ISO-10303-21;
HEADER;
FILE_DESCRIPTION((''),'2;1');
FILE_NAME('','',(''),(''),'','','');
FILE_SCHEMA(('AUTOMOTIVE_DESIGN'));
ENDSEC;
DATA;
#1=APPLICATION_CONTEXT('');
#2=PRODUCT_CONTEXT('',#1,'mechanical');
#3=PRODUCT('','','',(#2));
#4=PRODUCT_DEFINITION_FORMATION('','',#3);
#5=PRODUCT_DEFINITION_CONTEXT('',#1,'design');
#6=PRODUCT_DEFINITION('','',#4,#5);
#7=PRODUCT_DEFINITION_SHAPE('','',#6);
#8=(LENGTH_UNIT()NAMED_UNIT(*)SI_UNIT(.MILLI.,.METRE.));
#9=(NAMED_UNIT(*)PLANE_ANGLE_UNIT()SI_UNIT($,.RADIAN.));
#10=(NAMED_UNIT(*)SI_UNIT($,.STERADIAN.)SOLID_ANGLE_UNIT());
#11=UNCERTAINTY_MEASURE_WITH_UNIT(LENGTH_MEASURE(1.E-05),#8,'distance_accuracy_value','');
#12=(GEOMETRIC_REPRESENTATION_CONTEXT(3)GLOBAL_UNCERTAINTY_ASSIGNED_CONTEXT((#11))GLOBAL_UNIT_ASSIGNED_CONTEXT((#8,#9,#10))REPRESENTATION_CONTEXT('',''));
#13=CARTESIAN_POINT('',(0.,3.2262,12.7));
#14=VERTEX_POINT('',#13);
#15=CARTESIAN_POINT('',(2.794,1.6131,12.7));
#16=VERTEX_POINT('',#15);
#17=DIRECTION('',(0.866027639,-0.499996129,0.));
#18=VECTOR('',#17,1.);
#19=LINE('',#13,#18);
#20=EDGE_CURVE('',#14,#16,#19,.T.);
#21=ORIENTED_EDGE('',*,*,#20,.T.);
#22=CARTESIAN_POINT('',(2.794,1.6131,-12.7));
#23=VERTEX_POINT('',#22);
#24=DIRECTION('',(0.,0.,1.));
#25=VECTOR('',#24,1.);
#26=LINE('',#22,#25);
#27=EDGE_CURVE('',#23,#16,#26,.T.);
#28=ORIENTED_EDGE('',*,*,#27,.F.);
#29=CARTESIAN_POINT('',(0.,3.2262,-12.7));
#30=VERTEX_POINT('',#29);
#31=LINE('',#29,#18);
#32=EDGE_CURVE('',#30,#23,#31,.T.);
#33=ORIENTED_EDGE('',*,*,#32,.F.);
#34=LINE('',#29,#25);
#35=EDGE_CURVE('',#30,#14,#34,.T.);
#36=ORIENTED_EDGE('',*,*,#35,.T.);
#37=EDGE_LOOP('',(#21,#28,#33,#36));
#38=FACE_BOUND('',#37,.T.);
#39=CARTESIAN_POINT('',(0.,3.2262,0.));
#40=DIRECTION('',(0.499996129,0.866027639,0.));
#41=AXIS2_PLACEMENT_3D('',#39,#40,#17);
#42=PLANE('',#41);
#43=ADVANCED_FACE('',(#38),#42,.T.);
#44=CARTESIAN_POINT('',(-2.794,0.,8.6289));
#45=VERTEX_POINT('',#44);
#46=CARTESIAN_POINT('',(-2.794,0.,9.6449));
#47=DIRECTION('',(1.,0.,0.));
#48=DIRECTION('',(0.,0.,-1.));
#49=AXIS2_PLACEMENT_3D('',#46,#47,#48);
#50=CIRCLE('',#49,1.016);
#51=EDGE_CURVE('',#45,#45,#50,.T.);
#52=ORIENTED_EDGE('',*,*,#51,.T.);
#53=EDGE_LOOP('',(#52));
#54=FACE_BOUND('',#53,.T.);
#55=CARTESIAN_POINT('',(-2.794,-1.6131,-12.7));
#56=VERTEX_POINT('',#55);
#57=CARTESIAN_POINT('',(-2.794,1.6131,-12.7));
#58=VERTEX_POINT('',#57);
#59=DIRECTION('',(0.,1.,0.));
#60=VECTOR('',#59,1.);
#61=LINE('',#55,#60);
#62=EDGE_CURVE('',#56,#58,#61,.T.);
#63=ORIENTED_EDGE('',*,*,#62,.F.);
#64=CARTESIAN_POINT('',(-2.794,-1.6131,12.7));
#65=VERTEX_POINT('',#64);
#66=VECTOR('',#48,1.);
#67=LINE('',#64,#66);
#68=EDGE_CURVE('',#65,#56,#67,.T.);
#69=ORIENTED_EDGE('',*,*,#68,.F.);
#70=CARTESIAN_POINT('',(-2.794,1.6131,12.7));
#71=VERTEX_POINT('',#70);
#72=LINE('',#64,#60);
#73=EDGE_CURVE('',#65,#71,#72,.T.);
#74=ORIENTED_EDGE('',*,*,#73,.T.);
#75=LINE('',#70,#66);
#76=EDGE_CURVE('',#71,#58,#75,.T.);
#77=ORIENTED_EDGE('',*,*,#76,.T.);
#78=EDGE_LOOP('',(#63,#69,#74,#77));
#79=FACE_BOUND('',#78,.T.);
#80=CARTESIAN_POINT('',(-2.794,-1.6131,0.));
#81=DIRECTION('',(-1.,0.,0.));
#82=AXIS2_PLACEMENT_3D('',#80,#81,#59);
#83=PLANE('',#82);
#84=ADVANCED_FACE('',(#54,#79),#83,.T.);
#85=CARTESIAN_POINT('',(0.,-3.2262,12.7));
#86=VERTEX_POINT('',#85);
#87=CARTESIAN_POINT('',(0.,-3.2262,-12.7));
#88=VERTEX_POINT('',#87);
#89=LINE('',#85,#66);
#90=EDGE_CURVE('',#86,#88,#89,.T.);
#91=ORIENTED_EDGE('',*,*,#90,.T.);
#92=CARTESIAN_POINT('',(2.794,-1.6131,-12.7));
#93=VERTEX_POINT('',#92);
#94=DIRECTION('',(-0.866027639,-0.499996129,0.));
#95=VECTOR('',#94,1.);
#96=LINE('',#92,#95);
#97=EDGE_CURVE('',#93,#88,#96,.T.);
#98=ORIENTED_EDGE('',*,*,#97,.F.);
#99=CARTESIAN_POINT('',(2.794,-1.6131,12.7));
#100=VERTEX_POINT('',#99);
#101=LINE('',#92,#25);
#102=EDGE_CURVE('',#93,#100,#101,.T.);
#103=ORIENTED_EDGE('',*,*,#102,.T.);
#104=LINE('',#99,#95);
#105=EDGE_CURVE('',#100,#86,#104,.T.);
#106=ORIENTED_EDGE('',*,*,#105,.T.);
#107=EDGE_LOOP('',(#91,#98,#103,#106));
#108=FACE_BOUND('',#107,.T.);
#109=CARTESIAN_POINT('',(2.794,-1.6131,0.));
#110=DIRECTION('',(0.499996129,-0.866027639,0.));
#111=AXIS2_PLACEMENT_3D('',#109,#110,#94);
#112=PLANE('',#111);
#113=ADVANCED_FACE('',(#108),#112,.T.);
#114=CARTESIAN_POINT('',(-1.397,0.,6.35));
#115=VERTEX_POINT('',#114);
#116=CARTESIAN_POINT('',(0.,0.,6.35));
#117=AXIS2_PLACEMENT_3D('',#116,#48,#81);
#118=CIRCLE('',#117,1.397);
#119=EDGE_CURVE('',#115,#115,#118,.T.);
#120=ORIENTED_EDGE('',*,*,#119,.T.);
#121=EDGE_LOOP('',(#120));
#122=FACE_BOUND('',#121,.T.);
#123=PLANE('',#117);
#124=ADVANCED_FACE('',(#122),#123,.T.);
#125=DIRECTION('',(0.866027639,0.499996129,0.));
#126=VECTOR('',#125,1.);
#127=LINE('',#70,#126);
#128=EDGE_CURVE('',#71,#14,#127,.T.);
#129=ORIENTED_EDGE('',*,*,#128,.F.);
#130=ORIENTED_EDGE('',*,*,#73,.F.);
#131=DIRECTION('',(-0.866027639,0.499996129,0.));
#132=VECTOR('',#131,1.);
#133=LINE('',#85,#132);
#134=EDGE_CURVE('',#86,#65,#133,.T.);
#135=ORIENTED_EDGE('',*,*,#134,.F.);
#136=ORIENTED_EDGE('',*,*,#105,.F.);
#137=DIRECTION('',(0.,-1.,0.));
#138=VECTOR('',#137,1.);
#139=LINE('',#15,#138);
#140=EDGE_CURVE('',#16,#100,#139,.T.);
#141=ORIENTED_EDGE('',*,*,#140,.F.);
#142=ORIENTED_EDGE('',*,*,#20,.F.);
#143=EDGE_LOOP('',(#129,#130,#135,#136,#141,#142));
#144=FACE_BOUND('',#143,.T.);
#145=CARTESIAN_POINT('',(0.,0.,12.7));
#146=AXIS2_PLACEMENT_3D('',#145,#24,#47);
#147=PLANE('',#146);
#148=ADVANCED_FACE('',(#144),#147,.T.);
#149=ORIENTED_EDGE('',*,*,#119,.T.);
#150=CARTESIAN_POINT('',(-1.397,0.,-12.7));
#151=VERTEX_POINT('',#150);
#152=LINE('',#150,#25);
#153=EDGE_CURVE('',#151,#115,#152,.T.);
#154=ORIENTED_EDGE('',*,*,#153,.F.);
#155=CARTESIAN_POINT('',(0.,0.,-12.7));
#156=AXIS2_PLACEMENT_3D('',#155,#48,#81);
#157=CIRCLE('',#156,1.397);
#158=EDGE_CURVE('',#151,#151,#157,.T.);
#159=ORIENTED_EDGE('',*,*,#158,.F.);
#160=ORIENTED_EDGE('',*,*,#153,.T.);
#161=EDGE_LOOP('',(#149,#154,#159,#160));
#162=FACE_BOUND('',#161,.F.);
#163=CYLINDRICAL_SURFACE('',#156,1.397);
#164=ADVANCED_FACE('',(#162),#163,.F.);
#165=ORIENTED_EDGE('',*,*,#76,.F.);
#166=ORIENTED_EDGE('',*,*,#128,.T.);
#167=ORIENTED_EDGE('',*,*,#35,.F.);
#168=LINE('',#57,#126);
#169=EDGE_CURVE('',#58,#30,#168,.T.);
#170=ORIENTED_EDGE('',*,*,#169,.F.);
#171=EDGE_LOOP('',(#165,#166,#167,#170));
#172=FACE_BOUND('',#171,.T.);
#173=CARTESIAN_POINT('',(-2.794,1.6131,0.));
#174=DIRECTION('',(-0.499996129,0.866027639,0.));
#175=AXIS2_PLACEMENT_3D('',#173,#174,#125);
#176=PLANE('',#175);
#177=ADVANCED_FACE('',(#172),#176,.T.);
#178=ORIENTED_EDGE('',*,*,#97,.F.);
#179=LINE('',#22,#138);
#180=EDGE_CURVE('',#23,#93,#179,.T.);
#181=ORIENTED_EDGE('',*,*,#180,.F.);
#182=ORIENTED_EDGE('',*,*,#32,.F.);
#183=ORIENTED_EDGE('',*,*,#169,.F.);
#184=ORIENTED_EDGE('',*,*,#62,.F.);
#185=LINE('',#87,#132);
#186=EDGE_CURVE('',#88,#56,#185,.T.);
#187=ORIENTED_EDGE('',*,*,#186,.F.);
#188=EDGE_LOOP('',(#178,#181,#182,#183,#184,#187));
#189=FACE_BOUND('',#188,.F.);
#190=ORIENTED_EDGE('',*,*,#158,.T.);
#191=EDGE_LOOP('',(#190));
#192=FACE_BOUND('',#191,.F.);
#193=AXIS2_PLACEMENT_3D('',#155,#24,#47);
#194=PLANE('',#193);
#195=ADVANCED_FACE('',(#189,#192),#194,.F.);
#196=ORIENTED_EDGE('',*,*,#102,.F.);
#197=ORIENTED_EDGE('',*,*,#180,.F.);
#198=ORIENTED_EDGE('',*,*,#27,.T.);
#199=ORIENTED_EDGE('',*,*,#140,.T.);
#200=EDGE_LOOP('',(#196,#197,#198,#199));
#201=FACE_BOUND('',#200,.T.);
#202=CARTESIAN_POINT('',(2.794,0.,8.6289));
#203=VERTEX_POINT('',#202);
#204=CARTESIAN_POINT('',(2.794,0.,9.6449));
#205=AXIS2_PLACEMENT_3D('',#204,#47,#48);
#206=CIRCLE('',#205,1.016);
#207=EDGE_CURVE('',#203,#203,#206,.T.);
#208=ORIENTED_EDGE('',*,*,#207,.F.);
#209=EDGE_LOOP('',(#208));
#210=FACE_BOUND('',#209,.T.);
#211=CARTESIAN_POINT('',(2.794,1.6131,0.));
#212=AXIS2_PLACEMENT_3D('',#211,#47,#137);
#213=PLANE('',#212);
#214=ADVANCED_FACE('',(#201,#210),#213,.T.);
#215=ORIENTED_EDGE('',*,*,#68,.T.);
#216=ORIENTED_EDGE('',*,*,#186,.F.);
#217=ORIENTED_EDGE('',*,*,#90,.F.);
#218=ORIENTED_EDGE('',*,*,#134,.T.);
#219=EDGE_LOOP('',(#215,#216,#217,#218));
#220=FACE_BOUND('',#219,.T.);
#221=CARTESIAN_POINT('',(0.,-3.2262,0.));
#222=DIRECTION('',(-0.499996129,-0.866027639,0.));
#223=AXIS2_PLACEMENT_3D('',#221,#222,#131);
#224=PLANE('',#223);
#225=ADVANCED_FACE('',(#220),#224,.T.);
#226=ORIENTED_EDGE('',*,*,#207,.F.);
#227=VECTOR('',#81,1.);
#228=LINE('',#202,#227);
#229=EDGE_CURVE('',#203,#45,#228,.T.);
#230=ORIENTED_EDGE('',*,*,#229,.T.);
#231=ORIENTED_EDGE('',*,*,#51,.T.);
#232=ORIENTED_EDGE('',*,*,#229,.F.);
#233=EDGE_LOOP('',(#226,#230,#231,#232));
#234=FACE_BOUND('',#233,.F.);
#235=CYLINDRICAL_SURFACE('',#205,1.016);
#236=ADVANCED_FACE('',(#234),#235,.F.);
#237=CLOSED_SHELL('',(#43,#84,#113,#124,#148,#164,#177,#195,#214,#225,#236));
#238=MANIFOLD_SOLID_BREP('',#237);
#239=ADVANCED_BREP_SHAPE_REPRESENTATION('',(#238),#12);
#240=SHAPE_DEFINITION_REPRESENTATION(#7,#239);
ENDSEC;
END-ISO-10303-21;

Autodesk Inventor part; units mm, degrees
ref_plane "YZ Plane" through (0, 0, 0) normal (1, 0, 0) x (0, 1, 0)
ref_plane "XZ Plane" through (0, 0, 0) normal (0, 1, 0) x (-1, 0, 0)
ref_plane "XY Plane" through (0, 0, 0) normal (0, 0, 1) x (1, 0, 0)
sketch "Sketch1" plane through (0, 0, 0) normal (0, 0, 1) x (1, 0, 0)
  line L0 (2.794, -1.6131) -> (0, -3.2262)
  line L1 (0, -3.2262) -> (-2.794, -1.6131)
  line L2 (-2.794, -1.6131) -> (-2.794, 1.6131)
  line L3 (-2.794, 1.6131) -> (0, 3.2262)
  line L4 (0, 3.2262) -> (2.794, 1.6131)
  line L5 (2.794, 1.6131) -> (2.794, -1.6131)
  point P0 (0, 0)
  point P1 (0, 0)
  point P2 (2.794, 0)
  dimension "d0" = 5.588
extrude "Extrusion1" add sketch "Sketch1" along normal mid plane 25.4
sketch "Sketch2" plane through (2.794, -1.6131, 12.7) normal (1, 0, 0) x (0, 0, -1)
  line L0 (0, 0) -> (0, 3.2262) construction
  circle A0 centre (3.0551, 1.6131) radius 1.016
  point P0 (12.7, 1.6131)
  dimension "d3" = 2.032
  dimension "d4" = 3.0551
extrude "Extrusion2" cut sketch "Sketch2" against normal through all
sketch "Sketch3" plane through (0, 0, -12.7) normal (0, 0, -1) x (-1, 0, 0)
  circle A0 centre (0, 0) radius 1.397
  dimension "d9" = 2.794
extrude "Extrusion3" cut sketch "Sketch3" against normal blind 19.05
properties part number "tensioners"
